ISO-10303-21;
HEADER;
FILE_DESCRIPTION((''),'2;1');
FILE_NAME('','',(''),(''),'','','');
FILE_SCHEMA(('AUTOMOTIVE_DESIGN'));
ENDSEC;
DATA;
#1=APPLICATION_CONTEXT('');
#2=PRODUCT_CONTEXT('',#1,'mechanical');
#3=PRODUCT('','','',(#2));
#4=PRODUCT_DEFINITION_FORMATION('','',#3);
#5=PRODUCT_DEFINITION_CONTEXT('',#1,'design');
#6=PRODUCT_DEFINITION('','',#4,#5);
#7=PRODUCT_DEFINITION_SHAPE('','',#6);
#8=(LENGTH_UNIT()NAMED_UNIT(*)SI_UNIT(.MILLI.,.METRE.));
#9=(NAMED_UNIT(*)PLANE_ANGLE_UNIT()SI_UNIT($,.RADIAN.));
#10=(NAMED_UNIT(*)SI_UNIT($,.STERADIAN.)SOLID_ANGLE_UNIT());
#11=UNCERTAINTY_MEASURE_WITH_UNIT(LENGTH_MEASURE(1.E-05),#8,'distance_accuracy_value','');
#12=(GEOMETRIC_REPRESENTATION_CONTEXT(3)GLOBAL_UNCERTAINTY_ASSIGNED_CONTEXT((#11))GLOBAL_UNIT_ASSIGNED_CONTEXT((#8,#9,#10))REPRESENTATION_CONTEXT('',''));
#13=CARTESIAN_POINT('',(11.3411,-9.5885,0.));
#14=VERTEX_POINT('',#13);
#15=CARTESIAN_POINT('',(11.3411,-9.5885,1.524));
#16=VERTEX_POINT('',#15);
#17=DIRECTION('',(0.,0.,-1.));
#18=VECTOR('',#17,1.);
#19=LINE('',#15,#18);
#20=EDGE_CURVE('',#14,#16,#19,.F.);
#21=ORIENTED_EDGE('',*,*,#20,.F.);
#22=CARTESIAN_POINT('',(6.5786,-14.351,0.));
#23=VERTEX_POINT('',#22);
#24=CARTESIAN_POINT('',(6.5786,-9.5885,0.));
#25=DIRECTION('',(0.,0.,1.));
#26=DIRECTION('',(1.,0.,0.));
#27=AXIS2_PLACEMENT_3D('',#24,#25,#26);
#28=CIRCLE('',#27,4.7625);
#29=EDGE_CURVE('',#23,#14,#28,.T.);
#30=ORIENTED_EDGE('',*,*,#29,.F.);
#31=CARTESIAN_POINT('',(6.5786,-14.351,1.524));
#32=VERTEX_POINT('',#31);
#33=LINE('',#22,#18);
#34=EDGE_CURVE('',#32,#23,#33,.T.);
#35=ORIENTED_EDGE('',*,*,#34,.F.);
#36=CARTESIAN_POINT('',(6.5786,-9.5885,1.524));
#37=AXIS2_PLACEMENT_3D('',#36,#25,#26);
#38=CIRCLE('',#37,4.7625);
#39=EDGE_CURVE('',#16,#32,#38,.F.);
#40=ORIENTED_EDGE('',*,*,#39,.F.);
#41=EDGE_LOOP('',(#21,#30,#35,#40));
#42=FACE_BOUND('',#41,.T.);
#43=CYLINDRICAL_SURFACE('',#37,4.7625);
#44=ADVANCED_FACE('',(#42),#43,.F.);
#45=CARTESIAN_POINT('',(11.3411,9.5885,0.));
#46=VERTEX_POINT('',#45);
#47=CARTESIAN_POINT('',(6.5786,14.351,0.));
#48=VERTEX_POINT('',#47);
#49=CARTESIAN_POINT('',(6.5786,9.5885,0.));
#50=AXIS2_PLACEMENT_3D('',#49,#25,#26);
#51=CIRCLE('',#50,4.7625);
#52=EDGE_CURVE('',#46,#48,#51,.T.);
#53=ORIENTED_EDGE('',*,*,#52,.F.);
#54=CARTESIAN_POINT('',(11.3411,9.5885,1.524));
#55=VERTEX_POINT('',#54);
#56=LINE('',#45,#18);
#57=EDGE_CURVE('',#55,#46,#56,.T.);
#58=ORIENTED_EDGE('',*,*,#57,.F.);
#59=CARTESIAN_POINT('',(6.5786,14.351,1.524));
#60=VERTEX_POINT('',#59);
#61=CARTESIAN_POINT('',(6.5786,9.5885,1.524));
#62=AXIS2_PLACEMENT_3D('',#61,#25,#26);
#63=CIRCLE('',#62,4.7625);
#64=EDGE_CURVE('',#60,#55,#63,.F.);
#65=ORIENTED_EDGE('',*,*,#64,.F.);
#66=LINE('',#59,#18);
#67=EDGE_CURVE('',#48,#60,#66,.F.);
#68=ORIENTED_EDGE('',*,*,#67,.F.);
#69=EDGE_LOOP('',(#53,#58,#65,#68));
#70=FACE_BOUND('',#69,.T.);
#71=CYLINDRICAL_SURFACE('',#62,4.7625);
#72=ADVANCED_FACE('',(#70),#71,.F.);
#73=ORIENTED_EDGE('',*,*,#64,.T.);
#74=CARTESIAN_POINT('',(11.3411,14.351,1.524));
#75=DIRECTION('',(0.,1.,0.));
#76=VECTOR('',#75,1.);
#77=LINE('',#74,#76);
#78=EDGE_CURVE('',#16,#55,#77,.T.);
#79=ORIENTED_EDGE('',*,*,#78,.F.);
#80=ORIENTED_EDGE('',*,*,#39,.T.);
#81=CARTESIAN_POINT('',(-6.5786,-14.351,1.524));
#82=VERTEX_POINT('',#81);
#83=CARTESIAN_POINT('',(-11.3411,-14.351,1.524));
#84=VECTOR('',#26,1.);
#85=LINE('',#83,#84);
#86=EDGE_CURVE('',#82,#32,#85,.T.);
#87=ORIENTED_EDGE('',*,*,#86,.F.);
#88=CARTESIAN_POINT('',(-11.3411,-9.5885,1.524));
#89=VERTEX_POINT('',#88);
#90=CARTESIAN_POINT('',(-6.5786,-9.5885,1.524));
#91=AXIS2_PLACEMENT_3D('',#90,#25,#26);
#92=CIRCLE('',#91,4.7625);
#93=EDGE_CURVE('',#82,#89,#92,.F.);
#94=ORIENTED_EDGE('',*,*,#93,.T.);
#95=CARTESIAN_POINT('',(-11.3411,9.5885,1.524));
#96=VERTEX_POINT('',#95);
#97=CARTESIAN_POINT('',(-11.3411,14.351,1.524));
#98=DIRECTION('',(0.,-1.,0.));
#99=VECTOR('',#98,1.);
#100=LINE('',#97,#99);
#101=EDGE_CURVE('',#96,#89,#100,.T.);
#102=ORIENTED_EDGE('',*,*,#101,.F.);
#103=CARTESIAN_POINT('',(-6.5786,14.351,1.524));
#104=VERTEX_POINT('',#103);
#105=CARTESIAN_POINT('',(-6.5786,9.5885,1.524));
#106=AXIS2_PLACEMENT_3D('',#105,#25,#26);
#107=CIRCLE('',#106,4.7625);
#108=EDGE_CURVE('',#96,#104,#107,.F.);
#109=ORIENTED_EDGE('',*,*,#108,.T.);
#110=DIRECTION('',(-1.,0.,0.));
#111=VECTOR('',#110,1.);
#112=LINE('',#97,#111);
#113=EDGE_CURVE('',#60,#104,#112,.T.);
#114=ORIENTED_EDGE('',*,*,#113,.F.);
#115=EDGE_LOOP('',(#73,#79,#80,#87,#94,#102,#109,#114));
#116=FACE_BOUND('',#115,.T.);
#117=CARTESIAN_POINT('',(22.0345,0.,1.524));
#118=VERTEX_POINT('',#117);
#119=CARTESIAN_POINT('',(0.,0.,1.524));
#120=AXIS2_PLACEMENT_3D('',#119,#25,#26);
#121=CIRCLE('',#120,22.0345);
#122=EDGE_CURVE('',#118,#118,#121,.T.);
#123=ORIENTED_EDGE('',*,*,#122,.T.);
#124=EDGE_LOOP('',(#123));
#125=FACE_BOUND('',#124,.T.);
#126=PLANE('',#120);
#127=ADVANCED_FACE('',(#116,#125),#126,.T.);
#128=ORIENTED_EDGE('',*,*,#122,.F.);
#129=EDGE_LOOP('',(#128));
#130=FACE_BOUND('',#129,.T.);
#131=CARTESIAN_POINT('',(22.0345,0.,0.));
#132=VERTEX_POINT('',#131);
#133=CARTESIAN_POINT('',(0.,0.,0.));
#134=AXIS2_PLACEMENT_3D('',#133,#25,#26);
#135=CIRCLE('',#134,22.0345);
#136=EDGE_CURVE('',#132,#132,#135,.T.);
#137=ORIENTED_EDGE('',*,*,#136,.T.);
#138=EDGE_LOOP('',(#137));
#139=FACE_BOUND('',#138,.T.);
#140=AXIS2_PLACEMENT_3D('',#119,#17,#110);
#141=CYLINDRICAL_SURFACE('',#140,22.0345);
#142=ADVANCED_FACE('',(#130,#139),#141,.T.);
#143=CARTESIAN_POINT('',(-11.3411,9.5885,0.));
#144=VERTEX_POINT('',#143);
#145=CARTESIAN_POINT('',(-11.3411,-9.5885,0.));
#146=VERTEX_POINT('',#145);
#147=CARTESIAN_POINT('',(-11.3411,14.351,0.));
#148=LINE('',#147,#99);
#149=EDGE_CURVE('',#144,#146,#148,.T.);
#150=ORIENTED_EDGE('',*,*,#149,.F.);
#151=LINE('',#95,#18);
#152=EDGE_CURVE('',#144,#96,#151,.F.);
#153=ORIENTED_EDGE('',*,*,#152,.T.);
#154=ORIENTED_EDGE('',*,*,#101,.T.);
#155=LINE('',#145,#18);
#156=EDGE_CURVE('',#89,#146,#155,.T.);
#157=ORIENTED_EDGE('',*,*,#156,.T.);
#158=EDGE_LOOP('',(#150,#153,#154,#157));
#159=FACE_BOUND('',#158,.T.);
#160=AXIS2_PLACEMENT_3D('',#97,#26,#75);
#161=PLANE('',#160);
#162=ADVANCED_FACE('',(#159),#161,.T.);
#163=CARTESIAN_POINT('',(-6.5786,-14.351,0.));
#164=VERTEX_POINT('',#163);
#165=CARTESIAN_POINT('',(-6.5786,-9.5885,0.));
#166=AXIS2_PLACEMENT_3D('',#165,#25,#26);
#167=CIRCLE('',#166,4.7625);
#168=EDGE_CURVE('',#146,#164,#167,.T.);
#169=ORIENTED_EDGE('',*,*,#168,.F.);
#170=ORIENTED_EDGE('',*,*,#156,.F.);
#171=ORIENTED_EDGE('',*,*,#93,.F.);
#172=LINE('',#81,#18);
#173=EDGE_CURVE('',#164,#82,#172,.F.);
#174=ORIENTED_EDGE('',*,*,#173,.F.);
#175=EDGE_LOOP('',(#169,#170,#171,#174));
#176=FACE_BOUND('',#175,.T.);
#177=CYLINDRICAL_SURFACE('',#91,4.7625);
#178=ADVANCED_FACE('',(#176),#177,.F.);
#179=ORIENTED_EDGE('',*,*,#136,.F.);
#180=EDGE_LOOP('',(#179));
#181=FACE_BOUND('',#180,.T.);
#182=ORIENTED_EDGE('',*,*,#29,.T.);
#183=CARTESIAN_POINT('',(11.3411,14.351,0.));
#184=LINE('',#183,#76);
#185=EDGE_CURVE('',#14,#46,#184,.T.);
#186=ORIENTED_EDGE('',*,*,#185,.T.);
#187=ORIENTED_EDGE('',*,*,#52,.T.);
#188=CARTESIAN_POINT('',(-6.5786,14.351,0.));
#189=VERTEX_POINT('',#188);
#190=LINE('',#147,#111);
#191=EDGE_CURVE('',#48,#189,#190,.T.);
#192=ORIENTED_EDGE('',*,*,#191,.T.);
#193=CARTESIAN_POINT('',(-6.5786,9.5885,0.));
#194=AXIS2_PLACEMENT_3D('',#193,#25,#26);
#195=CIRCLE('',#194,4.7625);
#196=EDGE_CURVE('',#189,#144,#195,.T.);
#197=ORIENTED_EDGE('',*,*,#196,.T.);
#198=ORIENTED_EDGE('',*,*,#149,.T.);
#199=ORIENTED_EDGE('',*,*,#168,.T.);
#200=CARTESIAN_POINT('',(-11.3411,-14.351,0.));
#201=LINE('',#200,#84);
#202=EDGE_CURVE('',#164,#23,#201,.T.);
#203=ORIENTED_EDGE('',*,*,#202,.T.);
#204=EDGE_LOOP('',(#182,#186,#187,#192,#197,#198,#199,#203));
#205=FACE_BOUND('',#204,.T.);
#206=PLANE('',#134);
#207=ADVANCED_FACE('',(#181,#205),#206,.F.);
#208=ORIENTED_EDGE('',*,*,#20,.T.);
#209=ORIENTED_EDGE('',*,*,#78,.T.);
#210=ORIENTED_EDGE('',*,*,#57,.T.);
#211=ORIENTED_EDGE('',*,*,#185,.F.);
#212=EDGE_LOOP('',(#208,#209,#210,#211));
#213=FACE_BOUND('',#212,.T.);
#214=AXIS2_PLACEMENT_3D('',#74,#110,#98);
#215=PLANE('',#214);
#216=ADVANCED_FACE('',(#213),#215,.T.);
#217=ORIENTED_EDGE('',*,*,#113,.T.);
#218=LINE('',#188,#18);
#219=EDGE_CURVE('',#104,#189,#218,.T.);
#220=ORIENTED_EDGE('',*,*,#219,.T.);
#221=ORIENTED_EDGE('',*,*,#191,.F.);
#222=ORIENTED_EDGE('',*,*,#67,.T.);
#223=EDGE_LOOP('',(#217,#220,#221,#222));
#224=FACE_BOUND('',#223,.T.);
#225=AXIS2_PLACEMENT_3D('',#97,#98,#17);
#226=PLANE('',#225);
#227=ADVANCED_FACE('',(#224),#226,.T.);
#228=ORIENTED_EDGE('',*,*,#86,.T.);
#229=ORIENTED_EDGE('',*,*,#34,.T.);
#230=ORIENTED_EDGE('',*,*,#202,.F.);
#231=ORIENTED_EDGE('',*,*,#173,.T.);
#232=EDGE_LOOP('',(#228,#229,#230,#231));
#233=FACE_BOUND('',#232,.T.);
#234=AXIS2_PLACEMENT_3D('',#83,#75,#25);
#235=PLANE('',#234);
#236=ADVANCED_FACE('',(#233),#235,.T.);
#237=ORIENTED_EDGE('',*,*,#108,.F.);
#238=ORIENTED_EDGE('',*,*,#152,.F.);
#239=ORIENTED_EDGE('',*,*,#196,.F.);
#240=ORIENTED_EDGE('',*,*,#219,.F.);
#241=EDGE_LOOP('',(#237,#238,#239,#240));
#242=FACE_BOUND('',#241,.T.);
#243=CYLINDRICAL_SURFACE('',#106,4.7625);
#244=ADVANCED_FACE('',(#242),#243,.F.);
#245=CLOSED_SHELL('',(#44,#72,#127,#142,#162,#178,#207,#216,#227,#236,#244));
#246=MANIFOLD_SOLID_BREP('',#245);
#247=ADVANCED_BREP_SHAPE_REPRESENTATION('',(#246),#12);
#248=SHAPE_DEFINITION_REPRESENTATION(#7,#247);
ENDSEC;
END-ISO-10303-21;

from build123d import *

# Parameters (mm, degrees)
SKETCH1_R      = 22.0345
SKETCH1_W      = 22.6822
SKETCH1_H      = 28.702
EXTRUDE1_DEPTH = 1.524
FILLET1_R      = 4.7625


with BuildPart() as part:
    # Sketch1 → Extrude1 (new body)
    with BuildSketch(Plane.XY):
        Circle(SKETCH1_R)
        Rectangle(SKETCH1_W, SKETCH1_H, mode=Mode.SUBTRACT)
    extrude(amount=EXTRUDE1_DEPTH)

    # Fillet1
    fillet1_edges = [part.edges().sort_by_distance(p)[0] for p in [
        (-11.3411, 14.351, 0.762),
        (-11.3411, -14.351, 0.762),
        (11.3411, -14.351, 0.762),
        (11.3411, 14.351, 0.762),
    ]]
    fillet(fillet1_edges, radius=FILLET1_R)


solid = part.part
